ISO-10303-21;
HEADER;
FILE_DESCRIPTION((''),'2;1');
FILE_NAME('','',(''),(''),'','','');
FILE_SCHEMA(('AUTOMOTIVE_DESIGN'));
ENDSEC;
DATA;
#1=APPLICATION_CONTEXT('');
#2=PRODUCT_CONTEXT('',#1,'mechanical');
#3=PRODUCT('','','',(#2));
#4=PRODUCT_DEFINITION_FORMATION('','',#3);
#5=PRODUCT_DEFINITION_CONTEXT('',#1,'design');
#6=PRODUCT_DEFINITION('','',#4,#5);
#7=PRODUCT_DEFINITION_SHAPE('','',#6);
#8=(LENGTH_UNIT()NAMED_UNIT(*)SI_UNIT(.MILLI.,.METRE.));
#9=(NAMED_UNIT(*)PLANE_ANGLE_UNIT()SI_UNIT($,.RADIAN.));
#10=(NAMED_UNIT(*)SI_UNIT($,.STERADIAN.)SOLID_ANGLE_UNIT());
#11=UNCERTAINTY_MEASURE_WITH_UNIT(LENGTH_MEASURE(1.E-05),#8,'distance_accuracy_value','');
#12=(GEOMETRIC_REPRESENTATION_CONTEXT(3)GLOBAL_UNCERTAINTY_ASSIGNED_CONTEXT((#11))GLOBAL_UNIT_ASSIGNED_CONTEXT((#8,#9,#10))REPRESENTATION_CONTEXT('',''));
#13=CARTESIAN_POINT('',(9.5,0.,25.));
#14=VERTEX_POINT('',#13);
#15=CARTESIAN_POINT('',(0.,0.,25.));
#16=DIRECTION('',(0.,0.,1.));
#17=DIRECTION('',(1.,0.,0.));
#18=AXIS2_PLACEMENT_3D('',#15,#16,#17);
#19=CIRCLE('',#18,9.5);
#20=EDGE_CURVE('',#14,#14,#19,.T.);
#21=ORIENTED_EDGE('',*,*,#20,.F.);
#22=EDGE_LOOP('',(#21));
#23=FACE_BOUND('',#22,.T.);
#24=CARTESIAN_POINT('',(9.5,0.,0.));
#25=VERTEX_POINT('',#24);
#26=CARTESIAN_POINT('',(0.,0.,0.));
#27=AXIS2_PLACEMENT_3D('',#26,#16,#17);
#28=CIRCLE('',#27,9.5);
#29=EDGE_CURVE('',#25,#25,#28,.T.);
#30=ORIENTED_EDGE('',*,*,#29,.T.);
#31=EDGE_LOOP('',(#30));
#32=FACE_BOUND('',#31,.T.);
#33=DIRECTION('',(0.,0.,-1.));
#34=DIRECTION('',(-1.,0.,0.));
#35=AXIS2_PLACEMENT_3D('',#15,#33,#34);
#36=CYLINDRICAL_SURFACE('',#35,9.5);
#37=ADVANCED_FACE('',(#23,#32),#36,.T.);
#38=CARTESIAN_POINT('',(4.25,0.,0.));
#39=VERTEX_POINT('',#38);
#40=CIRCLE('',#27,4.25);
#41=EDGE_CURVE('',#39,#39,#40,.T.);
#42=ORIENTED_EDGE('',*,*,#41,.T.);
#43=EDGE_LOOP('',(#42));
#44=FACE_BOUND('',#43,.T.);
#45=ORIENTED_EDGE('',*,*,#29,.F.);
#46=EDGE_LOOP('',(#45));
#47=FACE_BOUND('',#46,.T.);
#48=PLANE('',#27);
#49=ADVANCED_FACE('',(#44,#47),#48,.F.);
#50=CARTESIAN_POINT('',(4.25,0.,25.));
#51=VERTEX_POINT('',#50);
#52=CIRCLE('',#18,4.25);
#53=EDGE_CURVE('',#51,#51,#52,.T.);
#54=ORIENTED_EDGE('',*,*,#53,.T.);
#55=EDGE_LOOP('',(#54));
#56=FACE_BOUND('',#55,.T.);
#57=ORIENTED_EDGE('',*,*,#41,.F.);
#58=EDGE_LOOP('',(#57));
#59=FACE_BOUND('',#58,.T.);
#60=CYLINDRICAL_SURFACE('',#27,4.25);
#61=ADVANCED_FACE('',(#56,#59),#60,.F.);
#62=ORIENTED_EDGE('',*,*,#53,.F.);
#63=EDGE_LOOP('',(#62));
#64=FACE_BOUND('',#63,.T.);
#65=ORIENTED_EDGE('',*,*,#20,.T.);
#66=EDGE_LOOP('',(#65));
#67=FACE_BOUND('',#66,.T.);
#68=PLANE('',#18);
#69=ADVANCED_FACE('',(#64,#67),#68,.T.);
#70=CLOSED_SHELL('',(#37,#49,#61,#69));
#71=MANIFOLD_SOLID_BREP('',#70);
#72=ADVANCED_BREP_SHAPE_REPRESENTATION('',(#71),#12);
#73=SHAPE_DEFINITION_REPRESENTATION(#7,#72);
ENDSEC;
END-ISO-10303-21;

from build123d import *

# Parameters (mm, degrees)
SKETCH1_R           = 9.5
BOSS_EXTRUDE1_DEPTH = 25
SKETCH1_3_R         = 9.5
BOSS_EXTRUDE2_DEPTH = 25
SKETCH2_R           = 4.25
CUT_EXTRUDE1_DEPTH  = 25


with BuildPart() as part:
    # Sketch1 → Boss-Extrude1 (new body)
    with BuildSketch(Plane.XY):
        Circle(SKETCH1_R)
    extrude(amount=BOSS_EXTRUDE1_DEPTH)

    # Sketch1<3> → Boss-Extrude2 (add)
    with BuildSketch(Plane.XY):
        Circle(SKETCH1_3_R)
    extrude(amount=BOSS_EXTRUDE2_DEPTH)

    # Sketch2 → Cut-Extrude1 (cut)
    with BuildSketch(Plane.XY.offset(25)):
        Circle(SKETCH2_R)
    extrude(amount=-CUT_EXTRUDE1_DEPTH, mode=Mode.SUBTRACT)


solid = part.part
